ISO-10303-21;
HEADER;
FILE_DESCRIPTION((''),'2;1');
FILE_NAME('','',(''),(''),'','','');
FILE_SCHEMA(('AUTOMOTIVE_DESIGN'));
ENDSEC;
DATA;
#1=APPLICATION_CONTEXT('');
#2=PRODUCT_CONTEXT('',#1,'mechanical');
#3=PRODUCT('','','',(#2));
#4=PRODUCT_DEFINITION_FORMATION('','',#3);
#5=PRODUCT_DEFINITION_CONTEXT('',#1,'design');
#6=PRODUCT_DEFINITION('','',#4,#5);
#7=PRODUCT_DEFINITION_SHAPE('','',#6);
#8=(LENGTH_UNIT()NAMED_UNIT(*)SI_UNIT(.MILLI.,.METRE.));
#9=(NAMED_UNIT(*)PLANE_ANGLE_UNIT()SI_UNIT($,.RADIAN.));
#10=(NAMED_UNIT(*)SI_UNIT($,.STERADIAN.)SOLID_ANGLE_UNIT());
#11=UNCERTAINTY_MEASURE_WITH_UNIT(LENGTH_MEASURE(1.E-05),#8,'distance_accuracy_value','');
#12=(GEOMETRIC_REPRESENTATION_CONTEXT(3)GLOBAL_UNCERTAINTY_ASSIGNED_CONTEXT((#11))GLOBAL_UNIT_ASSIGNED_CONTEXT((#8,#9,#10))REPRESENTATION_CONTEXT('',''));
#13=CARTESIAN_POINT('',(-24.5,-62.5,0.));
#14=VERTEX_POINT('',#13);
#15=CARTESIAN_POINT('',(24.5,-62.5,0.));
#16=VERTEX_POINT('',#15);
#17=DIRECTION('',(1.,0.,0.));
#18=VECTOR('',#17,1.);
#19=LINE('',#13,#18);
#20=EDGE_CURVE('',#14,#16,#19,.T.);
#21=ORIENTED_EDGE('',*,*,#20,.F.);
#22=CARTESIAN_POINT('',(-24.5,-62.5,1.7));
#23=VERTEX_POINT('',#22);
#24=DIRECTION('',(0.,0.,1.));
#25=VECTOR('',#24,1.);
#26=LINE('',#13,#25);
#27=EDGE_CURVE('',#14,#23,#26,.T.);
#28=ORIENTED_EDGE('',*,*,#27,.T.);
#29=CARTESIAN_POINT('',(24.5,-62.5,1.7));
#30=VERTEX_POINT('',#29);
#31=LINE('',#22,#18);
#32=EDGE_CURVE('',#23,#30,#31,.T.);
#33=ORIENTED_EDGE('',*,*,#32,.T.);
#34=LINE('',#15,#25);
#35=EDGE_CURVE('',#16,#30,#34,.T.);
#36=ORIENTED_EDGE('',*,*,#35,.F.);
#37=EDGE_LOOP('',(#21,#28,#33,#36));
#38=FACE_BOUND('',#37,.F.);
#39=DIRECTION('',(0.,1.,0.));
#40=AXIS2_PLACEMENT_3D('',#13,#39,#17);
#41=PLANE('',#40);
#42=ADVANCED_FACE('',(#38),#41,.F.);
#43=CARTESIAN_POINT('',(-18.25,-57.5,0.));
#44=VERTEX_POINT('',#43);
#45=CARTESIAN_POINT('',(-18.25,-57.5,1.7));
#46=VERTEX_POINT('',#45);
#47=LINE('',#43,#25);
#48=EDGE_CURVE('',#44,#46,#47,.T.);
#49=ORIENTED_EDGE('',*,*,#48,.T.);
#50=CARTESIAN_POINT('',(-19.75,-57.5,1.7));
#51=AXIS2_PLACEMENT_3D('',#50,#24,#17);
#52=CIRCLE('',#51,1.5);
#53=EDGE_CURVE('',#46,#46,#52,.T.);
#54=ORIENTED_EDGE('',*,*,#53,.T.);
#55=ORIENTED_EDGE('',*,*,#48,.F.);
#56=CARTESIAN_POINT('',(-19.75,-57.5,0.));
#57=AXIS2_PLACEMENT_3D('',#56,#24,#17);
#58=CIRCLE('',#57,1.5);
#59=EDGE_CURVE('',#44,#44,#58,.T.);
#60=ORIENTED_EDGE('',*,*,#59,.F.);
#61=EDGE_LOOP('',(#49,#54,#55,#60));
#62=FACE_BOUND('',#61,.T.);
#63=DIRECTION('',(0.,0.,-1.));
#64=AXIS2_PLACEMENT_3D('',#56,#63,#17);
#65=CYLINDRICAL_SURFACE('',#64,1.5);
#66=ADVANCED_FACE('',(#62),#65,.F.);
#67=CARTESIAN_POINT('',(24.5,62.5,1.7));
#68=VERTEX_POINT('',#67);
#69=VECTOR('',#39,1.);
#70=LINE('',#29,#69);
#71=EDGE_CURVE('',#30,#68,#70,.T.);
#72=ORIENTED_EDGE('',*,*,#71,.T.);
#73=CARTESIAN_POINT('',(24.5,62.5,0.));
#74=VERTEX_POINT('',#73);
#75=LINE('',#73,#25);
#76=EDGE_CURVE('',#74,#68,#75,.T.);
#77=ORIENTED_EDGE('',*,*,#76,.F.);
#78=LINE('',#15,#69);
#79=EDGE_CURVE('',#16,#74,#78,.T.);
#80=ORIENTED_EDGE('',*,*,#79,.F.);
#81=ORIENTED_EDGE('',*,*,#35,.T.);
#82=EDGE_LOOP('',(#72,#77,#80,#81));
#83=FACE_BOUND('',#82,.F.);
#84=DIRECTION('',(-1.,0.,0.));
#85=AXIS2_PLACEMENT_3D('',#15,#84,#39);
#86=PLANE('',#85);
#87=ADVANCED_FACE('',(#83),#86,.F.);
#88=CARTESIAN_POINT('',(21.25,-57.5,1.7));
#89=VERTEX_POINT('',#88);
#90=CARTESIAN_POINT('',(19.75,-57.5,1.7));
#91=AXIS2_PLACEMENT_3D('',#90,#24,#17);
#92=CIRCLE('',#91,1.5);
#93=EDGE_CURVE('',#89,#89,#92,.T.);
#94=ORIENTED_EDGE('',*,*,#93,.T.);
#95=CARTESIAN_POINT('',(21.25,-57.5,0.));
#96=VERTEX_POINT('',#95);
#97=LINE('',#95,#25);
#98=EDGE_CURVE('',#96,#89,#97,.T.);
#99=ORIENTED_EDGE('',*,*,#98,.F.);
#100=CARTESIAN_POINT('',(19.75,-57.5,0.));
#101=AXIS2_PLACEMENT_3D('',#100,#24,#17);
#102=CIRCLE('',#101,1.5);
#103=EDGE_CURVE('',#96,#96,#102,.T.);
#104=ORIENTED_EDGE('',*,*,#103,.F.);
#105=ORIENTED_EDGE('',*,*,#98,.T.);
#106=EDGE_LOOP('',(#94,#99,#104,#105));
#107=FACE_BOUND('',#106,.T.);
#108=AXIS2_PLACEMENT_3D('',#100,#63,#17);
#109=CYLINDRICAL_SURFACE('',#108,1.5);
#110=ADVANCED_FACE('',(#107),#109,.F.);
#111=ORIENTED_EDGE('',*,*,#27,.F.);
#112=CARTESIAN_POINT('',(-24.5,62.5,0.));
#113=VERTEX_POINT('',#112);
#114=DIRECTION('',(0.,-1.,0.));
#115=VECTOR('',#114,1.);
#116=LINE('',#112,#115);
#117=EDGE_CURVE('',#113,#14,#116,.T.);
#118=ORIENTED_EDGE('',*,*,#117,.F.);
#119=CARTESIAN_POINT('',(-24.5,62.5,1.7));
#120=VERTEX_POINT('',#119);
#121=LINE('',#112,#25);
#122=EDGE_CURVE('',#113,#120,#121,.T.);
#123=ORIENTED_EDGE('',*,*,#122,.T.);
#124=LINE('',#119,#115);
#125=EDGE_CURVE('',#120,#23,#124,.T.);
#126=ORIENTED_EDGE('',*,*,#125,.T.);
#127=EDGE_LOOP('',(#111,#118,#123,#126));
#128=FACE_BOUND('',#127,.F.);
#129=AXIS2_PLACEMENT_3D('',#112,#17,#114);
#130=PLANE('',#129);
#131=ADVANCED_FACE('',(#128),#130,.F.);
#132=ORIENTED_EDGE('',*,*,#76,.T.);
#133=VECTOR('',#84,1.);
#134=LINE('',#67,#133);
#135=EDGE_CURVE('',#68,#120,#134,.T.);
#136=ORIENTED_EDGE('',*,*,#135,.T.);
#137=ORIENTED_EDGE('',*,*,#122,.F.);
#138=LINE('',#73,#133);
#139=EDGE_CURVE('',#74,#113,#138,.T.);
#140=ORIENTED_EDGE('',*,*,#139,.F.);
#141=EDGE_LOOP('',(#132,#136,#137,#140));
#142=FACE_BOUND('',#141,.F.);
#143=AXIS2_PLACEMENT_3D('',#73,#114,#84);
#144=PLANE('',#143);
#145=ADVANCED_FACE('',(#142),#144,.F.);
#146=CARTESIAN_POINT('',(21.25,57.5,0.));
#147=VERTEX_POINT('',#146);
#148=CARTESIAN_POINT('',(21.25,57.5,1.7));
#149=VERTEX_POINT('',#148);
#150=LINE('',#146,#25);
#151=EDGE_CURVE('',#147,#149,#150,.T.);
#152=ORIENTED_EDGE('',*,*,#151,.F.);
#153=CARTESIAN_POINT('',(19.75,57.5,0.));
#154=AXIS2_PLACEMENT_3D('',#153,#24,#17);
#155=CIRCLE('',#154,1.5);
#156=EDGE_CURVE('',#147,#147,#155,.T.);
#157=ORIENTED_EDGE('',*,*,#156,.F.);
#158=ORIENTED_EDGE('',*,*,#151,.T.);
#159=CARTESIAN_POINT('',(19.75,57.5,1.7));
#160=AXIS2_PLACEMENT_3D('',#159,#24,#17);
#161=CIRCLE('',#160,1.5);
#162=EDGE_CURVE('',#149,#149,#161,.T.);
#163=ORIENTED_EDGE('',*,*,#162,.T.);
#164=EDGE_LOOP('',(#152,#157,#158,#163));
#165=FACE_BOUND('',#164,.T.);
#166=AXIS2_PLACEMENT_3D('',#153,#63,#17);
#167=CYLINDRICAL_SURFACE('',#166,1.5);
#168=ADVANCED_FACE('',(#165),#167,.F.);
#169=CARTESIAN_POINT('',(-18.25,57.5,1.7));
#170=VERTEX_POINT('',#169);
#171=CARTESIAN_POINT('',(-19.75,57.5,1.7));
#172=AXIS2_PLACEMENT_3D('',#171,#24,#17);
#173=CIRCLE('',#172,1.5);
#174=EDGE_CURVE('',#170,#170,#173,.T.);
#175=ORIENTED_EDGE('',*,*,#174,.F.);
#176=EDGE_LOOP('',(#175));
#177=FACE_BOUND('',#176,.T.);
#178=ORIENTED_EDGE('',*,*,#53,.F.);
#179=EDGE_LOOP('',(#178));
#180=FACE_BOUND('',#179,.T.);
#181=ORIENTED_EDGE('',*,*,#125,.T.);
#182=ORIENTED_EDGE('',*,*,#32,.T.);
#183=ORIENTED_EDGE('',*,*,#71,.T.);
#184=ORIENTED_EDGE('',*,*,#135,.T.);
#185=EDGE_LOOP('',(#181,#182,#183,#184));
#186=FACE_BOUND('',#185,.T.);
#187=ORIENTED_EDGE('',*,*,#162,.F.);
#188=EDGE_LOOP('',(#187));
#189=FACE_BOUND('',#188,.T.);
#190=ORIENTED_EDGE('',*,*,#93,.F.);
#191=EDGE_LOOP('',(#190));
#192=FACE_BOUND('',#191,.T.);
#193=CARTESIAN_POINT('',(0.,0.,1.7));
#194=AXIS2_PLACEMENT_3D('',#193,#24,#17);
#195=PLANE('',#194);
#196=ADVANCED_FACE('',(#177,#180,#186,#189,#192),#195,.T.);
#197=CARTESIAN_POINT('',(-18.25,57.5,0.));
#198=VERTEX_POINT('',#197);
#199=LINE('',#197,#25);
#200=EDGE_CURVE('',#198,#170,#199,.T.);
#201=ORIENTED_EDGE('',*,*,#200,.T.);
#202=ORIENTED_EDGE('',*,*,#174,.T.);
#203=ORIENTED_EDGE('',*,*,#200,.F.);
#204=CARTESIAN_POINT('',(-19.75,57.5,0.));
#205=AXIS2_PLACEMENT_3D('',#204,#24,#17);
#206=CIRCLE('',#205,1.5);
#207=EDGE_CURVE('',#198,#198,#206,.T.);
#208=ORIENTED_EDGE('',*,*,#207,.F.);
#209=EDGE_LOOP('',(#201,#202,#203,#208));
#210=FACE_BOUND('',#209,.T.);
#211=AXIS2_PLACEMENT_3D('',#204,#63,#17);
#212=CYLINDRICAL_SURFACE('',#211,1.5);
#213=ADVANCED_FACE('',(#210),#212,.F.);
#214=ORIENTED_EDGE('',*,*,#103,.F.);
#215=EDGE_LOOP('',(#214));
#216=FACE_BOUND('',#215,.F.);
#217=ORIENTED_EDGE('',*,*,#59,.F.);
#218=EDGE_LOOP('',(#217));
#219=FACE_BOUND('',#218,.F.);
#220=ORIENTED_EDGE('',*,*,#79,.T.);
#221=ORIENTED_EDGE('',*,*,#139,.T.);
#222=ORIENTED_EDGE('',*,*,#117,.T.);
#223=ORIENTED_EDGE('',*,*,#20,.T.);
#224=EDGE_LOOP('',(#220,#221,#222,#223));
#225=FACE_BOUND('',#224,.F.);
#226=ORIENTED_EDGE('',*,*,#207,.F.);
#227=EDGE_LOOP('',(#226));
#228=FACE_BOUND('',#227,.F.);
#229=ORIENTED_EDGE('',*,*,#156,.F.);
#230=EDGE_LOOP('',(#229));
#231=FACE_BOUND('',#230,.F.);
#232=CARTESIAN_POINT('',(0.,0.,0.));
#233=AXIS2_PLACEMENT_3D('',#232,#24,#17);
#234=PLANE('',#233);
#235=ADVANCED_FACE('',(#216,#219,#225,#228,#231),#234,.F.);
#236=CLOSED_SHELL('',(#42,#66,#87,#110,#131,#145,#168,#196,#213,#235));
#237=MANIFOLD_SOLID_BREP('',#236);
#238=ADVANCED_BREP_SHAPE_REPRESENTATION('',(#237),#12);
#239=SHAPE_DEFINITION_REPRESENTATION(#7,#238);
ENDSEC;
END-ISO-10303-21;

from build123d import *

# Parameters (mm, degrees)
F0_R     = 1.5
F1_DEPTH = 1.7


with BuildPart() as f1:
    # F0 (on Top) → F1 (new body)
    with BuildSketch(Plane.XY):
        Polygon((-24.5, 62.5), (-24.5, 0), (-24.5, -62.5), (0, -62.5), (24.5, -62.5), (24.5, 0), (24.5, 62.5), (0, 62.5), align=None)
        with Locations((-19.75, -57.5)):
            Circle(F0_R, mode=Mode.SUBTRACT)
        with Locations((19.75, -57.5)):
            Circle(F0_R, mode=Mode.SUBTRACT)
        with Locations((-19.75, 57.5)):
            Circle(F0_R, mode=Mode.SUBTRACT)
        with Locations((19.75, 57.5)):
            Circle(F0_R, mode=Mode.SUBTRACT)
    extrude(amount=F1_DEPTH)


solid = f1.part
